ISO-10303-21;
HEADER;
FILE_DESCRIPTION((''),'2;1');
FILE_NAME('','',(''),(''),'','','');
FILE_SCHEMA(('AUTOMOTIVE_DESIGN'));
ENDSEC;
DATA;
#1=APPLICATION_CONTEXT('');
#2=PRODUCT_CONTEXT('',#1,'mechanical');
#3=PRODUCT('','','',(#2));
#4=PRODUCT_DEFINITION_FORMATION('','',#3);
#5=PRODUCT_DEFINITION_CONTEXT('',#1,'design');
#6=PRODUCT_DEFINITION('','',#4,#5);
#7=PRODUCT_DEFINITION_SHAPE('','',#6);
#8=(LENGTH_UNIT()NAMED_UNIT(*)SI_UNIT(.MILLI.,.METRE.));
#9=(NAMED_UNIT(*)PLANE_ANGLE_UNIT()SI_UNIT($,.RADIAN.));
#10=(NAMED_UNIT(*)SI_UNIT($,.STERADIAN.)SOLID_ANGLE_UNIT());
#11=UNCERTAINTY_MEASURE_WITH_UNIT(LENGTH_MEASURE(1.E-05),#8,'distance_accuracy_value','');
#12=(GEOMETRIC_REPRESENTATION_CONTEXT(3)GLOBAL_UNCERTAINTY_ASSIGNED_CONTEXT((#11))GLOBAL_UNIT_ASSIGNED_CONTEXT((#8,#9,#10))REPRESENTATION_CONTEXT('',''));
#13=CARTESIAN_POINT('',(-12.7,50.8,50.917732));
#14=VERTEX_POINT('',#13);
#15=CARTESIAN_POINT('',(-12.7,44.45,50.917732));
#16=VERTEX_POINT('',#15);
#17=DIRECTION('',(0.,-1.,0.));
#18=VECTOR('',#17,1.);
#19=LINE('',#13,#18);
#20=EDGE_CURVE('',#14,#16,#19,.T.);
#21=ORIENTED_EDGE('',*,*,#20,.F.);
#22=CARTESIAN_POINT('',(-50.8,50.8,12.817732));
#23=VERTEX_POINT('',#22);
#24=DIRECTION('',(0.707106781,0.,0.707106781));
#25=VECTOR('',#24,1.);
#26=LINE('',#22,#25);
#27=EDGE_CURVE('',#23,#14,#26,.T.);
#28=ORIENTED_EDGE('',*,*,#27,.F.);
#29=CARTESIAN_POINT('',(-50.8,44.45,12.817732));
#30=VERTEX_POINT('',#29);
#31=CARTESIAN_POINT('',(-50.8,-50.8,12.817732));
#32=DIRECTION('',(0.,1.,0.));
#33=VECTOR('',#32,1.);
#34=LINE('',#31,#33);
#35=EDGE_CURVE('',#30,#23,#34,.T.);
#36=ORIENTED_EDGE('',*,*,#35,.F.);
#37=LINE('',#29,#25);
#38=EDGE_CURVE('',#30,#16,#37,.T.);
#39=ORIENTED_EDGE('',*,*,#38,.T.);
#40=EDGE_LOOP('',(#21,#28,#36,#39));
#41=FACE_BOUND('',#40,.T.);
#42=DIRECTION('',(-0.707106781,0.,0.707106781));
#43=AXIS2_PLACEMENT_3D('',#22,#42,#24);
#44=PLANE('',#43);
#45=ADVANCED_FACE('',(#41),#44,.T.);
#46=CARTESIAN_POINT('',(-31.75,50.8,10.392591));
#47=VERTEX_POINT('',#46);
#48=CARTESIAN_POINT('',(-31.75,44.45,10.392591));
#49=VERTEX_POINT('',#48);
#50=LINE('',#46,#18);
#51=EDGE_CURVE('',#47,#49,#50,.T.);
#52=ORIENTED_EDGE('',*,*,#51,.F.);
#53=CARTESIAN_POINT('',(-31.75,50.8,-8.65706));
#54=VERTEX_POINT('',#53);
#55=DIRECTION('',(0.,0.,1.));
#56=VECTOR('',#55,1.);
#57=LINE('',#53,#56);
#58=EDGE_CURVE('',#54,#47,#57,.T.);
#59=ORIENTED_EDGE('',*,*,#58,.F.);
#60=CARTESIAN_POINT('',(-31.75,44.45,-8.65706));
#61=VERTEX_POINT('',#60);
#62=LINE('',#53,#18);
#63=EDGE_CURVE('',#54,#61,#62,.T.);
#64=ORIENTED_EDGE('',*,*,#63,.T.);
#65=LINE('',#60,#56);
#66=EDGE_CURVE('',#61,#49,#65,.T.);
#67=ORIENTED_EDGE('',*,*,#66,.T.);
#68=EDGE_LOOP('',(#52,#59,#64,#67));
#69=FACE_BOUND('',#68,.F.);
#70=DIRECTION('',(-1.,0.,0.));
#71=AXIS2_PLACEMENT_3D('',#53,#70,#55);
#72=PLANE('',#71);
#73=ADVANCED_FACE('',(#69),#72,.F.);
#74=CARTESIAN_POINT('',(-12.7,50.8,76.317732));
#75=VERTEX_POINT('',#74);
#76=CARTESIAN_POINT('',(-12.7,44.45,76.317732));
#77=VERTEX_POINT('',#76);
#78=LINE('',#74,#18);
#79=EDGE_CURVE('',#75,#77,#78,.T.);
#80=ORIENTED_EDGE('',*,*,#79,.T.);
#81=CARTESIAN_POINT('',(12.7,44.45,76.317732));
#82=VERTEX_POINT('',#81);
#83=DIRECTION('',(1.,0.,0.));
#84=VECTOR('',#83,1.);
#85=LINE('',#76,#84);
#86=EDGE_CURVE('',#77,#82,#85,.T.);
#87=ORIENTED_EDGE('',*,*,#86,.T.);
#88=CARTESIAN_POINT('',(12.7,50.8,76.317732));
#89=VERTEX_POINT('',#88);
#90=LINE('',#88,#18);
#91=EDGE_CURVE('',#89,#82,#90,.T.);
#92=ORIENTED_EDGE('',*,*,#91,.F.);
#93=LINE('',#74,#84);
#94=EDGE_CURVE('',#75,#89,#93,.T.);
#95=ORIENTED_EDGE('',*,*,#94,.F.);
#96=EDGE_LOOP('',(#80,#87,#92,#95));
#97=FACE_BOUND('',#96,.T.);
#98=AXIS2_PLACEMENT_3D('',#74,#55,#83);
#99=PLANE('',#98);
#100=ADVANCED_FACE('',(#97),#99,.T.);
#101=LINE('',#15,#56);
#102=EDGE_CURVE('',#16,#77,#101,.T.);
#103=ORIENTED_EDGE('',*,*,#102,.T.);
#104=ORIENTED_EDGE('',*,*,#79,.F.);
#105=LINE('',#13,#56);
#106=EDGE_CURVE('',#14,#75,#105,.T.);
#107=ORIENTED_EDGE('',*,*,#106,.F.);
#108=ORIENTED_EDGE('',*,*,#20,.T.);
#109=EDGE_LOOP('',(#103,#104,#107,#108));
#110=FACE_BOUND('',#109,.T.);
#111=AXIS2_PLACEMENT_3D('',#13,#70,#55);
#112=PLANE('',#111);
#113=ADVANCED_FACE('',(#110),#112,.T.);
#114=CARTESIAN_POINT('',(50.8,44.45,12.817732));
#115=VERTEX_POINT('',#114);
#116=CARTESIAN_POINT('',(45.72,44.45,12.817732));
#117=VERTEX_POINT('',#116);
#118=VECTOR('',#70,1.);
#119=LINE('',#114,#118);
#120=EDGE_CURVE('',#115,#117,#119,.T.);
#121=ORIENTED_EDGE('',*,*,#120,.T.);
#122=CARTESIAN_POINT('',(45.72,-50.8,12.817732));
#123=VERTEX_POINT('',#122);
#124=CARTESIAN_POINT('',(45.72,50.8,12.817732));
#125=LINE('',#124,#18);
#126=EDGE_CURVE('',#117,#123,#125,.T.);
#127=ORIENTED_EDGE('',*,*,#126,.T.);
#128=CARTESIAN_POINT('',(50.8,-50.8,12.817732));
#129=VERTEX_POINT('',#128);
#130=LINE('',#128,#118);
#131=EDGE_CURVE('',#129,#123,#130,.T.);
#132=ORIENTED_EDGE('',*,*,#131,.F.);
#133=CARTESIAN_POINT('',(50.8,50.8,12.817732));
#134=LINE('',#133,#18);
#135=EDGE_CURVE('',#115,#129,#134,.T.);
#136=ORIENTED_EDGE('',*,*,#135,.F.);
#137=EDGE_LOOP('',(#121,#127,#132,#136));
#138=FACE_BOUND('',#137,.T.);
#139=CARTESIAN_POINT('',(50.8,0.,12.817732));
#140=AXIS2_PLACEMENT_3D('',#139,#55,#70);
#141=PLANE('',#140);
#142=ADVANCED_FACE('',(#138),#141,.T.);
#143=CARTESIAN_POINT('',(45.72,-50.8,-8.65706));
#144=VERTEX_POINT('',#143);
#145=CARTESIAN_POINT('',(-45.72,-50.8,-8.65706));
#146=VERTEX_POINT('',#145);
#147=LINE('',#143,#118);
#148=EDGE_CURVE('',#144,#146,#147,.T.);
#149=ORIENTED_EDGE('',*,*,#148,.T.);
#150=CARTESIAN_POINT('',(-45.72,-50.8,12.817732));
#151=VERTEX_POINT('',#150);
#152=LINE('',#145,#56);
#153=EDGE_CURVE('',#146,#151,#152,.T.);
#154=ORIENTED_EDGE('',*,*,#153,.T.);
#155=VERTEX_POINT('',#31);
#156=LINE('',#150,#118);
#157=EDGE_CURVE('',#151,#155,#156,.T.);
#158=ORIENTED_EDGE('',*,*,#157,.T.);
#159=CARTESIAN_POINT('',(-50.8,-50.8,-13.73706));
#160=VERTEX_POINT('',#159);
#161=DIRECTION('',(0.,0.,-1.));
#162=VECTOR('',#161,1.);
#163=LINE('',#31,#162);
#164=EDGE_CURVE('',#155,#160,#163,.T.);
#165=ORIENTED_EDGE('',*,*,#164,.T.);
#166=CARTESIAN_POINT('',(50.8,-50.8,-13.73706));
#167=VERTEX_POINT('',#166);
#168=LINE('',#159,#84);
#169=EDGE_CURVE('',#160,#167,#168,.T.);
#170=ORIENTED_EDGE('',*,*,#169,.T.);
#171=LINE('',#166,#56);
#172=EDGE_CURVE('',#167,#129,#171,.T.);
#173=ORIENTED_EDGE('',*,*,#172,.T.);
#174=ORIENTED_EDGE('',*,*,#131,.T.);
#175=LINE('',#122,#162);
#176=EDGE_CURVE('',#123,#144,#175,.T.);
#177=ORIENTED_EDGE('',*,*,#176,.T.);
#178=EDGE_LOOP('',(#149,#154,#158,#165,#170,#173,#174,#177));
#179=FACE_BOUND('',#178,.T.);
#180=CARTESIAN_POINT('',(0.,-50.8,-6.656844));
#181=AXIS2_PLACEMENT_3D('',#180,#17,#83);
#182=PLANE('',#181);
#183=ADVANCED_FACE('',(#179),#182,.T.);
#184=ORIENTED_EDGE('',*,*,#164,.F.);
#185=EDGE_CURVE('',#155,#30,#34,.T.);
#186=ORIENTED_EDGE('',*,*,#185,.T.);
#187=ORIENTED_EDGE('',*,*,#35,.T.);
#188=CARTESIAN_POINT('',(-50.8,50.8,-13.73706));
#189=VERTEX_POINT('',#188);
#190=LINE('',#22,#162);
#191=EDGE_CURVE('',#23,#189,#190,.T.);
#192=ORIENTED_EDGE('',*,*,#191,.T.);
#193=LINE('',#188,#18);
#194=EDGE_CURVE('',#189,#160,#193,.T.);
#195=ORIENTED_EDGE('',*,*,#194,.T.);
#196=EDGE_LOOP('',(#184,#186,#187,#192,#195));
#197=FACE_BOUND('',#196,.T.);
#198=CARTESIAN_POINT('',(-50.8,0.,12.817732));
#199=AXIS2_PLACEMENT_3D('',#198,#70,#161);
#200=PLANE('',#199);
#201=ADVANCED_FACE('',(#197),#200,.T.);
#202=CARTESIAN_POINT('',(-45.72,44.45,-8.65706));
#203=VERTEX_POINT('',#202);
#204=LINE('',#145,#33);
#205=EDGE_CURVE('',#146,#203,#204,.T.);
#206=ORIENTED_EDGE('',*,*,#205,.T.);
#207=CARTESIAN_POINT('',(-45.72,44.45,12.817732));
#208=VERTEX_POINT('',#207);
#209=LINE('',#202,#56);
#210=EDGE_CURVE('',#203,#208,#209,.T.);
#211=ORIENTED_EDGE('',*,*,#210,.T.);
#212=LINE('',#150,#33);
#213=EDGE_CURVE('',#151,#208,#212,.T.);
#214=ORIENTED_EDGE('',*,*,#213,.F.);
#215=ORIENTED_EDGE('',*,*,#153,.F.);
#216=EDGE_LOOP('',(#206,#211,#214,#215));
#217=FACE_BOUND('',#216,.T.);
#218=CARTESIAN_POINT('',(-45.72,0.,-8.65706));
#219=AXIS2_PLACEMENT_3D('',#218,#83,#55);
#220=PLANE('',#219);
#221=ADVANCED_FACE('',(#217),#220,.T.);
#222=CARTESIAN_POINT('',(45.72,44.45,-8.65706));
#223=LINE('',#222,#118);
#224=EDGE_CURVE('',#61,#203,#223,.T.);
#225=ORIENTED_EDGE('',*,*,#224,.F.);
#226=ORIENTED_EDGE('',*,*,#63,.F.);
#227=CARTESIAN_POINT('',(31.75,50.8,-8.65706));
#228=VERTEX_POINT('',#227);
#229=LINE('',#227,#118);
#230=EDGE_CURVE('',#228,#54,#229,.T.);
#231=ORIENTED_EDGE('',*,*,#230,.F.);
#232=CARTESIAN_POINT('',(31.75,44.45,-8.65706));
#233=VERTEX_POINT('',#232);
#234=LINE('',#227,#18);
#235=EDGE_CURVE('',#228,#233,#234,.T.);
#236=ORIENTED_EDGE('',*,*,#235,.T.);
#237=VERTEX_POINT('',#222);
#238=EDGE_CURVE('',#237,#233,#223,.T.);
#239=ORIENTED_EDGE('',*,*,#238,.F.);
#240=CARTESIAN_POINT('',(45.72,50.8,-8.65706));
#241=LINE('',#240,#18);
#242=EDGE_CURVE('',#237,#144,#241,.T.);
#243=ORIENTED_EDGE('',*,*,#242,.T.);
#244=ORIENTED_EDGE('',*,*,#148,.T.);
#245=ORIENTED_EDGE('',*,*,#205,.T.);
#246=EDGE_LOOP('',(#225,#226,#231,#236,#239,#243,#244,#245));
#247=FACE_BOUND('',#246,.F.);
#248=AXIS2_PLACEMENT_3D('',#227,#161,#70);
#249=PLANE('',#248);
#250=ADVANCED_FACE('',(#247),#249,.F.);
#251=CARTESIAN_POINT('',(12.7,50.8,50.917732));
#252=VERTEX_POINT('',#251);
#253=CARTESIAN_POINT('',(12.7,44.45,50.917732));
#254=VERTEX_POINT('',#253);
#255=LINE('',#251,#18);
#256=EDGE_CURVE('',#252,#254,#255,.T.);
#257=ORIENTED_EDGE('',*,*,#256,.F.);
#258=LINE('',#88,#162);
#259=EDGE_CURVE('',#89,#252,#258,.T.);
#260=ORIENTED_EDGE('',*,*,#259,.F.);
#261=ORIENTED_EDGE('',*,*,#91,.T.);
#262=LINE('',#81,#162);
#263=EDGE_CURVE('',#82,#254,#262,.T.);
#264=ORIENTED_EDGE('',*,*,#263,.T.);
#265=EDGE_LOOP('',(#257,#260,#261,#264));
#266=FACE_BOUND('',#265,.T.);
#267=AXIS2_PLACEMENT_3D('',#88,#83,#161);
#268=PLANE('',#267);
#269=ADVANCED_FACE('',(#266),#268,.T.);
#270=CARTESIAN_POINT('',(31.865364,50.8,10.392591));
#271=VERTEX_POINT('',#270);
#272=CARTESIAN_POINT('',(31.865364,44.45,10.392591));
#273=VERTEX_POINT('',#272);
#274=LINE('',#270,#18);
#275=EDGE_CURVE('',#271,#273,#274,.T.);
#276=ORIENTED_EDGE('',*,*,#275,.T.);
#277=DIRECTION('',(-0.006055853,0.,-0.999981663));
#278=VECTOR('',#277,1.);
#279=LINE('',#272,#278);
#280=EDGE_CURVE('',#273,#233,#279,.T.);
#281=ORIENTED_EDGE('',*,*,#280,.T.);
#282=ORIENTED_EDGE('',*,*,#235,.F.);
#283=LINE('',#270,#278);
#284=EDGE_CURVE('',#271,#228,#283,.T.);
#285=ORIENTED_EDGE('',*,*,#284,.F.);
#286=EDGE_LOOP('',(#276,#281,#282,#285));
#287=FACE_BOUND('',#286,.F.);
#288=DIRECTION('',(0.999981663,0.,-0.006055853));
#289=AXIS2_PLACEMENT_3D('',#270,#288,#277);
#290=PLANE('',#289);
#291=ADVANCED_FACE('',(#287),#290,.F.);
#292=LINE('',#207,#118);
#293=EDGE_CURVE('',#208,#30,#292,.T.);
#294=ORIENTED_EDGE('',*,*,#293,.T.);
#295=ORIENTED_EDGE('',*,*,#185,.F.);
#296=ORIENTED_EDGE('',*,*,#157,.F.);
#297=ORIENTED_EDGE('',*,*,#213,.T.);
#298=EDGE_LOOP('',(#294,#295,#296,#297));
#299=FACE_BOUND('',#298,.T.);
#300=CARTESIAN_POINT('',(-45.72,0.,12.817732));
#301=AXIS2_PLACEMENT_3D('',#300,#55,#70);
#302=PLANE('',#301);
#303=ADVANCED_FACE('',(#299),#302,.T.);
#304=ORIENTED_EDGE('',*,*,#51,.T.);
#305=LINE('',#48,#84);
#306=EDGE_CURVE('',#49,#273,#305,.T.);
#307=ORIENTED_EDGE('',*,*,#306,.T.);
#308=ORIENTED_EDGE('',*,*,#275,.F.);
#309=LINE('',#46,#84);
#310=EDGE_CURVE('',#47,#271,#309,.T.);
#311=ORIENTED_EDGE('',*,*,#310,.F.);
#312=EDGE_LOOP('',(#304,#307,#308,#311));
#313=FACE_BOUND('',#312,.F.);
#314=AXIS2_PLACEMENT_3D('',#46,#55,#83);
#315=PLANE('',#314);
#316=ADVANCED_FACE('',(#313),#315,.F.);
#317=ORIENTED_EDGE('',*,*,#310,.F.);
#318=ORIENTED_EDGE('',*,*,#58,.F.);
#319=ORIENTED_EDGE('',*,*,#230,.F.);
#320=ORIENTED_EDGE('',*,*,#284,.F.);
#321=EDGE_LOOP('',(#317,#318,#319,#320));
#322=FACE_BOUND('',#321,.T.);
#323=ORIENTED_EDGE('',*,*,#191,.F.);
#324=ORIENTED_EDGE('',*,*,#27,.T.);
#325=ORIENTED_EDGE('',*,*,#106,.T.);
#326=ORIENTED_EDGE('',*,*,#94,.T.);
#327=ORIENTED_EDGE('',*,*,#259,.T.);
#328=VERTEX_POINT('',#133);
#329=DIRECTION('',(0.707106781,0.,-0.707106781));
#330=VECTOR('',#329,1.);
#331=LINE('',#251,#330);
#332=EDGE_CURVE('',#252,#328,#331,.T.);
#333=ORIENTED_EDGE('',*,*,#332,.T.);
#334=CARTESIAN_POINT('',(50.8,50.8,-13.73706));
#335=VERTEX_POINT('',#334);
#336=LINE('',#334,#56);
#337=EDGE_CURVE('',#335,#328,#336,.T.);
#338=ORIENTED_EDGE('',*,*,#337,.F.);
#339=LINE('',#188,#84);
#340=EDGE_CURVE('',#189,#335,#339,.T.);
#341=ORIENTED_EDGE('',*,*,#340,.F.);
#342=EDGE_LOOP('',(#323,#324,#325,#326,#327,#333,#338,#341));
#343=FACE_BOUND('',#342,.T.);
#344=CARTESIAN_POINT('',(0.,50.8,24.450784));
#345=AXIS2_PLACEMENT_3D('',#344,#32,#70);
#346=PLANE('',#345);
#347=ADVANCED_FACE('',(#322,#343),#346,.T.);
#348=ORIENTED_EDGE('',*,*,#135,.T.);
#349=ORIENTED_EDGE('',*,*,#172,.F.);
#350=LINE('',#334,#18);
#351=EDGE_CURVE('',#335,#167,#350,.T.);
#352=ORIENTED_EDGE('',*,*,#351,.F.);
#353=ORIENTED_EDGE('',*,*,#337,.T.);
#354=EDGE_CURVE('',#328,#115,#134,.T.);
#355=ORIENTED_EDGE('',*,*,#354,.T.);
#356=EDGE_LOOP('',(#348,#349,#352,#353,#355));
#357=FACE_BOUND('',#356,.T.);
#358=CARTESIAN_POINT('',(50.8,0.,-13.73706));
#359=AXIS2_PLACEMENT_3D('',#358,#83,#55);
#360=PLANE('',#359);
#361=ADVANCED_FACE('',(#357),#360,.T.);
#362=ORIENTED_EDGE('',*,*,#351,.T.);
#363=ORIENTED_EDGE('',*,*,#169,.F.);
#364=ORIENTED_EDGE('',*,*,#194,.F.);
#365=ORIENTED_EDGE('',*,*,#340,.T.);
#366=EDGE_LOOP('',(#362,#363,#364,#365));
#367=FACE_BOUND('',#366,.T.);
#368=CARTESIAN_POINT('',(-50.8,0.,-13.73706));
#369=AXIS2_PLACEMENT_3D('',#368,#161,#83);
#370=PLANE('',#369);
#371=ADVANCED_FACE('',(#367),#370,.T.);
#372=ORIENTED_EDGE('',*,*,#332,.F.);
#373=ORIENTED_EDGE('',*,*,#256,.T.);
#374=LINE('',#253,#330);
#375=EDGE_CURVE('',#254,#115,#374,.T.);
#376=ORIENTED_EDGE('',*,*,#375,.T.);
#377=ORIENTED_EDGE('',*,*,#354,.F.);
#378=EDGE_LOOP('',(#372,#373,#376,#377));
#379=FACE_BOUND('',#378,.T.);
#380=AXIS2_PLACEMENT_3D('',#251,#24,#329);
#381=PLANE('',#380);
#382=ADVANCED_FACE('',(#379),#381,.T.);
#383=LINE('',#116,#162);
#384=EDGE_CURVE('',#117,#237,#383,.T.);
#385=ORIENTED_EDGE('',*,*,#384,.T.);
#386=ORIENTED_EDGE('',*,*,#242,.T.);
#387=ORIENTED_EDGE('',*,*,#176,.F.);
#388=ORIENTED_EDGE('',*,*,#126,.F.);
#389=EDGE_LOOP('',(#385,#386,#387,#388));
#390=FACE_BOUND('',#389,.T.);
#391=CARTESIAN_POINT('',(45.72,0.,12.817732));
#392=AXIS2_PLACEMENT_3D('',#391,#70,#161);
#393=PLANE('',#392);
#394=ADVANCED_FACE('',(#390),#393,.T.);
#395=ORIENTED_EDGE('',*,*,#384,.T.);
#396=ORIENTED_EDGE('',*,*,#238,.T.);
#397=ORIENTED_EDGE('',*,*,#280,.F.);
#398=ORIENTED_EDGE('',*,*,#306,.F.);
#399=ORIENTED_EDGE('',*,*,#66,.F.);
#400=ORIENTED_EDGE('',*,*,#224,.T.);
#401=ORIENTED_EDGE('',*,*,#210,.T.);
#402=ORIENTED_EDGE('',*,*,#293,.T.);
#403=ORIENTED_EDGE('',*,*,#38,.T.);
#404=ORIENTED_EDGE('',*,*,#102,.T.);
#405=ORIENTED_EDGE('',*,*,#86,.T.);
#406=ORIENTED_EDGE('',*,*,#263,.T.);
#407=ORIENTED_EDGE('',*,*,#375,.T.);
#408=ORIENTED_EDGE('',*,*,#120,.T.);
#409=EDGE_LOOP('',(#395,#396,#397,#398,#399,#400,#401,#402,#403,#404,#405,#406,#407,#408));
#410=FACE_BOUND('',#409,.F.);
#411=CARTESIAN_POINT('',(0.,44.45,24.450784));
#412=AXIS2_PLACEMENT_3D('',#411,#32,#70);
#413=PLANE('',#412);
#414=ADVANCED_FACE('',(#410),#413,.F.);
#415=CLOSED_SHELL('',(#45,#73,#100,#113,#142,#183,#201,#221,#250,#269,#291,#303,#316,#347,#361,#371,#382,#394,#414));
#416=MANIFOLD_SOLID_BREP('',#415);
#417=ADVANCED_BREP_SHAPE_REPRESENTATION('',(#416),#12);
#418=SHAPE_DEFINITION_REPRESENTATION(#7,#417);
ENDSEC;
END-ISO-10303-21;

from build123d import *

# Parameters (mm, degrees)
F1_DEPTH = 50.8
F3_DEPTH = 6.35
F5_DEPTH = 6.35


with BuildPart() as f1:
    # F0 (on Front) → F1 (new body, symmetric)
    with BuildSketch(Plane.XZ):
        Polygon((-50.8, 12.817732), (-50.8, -13.73706), (50.8, -13.73706), (50.8, 12.817732), (45.72, 12.817732), (45.72, -8.65706), (-45.72, -8.65706), (-45.72, 12.817732), align=None)
    extrude(amount=F1_DEPTH, both=True)

    # F2 (on face) → F3 (join)
    with BuildSketch(Plane(origin=(0, 50.8, 0), x_dir=(-1, 0, 0), z_dir=(0, 1, 0))):
        Polygon((45.72, 12.817732), (50.8, 12.817732), (12.7, 50.917732), (12.7, 76.317732), (-12.7, 76.317732), (-12.7, 50.917732), (-50.8, 12.817732), (-45.72, 12.817732), (-45.72, -8.65706), (45.72, -8.65706), align=None)
    extrude(amount=-F3_DEPTH)

    # F4 (on face) → F5 (cut, through all)
    with BuildSketch(Plane(origin=(0, 50.8, 0), x_dir=(-1, 0, 0), z_dir=(0, 1, 0))):
        Polygon((-31.75, -8.65706), (31.75, -8.65706), (31.75, 10.392591), (-31.865364, 10.392591), align=None)
    extrude(amount=-F5_DEPTH, mode=Mode.SUBTRACT)


solid = f1.part
